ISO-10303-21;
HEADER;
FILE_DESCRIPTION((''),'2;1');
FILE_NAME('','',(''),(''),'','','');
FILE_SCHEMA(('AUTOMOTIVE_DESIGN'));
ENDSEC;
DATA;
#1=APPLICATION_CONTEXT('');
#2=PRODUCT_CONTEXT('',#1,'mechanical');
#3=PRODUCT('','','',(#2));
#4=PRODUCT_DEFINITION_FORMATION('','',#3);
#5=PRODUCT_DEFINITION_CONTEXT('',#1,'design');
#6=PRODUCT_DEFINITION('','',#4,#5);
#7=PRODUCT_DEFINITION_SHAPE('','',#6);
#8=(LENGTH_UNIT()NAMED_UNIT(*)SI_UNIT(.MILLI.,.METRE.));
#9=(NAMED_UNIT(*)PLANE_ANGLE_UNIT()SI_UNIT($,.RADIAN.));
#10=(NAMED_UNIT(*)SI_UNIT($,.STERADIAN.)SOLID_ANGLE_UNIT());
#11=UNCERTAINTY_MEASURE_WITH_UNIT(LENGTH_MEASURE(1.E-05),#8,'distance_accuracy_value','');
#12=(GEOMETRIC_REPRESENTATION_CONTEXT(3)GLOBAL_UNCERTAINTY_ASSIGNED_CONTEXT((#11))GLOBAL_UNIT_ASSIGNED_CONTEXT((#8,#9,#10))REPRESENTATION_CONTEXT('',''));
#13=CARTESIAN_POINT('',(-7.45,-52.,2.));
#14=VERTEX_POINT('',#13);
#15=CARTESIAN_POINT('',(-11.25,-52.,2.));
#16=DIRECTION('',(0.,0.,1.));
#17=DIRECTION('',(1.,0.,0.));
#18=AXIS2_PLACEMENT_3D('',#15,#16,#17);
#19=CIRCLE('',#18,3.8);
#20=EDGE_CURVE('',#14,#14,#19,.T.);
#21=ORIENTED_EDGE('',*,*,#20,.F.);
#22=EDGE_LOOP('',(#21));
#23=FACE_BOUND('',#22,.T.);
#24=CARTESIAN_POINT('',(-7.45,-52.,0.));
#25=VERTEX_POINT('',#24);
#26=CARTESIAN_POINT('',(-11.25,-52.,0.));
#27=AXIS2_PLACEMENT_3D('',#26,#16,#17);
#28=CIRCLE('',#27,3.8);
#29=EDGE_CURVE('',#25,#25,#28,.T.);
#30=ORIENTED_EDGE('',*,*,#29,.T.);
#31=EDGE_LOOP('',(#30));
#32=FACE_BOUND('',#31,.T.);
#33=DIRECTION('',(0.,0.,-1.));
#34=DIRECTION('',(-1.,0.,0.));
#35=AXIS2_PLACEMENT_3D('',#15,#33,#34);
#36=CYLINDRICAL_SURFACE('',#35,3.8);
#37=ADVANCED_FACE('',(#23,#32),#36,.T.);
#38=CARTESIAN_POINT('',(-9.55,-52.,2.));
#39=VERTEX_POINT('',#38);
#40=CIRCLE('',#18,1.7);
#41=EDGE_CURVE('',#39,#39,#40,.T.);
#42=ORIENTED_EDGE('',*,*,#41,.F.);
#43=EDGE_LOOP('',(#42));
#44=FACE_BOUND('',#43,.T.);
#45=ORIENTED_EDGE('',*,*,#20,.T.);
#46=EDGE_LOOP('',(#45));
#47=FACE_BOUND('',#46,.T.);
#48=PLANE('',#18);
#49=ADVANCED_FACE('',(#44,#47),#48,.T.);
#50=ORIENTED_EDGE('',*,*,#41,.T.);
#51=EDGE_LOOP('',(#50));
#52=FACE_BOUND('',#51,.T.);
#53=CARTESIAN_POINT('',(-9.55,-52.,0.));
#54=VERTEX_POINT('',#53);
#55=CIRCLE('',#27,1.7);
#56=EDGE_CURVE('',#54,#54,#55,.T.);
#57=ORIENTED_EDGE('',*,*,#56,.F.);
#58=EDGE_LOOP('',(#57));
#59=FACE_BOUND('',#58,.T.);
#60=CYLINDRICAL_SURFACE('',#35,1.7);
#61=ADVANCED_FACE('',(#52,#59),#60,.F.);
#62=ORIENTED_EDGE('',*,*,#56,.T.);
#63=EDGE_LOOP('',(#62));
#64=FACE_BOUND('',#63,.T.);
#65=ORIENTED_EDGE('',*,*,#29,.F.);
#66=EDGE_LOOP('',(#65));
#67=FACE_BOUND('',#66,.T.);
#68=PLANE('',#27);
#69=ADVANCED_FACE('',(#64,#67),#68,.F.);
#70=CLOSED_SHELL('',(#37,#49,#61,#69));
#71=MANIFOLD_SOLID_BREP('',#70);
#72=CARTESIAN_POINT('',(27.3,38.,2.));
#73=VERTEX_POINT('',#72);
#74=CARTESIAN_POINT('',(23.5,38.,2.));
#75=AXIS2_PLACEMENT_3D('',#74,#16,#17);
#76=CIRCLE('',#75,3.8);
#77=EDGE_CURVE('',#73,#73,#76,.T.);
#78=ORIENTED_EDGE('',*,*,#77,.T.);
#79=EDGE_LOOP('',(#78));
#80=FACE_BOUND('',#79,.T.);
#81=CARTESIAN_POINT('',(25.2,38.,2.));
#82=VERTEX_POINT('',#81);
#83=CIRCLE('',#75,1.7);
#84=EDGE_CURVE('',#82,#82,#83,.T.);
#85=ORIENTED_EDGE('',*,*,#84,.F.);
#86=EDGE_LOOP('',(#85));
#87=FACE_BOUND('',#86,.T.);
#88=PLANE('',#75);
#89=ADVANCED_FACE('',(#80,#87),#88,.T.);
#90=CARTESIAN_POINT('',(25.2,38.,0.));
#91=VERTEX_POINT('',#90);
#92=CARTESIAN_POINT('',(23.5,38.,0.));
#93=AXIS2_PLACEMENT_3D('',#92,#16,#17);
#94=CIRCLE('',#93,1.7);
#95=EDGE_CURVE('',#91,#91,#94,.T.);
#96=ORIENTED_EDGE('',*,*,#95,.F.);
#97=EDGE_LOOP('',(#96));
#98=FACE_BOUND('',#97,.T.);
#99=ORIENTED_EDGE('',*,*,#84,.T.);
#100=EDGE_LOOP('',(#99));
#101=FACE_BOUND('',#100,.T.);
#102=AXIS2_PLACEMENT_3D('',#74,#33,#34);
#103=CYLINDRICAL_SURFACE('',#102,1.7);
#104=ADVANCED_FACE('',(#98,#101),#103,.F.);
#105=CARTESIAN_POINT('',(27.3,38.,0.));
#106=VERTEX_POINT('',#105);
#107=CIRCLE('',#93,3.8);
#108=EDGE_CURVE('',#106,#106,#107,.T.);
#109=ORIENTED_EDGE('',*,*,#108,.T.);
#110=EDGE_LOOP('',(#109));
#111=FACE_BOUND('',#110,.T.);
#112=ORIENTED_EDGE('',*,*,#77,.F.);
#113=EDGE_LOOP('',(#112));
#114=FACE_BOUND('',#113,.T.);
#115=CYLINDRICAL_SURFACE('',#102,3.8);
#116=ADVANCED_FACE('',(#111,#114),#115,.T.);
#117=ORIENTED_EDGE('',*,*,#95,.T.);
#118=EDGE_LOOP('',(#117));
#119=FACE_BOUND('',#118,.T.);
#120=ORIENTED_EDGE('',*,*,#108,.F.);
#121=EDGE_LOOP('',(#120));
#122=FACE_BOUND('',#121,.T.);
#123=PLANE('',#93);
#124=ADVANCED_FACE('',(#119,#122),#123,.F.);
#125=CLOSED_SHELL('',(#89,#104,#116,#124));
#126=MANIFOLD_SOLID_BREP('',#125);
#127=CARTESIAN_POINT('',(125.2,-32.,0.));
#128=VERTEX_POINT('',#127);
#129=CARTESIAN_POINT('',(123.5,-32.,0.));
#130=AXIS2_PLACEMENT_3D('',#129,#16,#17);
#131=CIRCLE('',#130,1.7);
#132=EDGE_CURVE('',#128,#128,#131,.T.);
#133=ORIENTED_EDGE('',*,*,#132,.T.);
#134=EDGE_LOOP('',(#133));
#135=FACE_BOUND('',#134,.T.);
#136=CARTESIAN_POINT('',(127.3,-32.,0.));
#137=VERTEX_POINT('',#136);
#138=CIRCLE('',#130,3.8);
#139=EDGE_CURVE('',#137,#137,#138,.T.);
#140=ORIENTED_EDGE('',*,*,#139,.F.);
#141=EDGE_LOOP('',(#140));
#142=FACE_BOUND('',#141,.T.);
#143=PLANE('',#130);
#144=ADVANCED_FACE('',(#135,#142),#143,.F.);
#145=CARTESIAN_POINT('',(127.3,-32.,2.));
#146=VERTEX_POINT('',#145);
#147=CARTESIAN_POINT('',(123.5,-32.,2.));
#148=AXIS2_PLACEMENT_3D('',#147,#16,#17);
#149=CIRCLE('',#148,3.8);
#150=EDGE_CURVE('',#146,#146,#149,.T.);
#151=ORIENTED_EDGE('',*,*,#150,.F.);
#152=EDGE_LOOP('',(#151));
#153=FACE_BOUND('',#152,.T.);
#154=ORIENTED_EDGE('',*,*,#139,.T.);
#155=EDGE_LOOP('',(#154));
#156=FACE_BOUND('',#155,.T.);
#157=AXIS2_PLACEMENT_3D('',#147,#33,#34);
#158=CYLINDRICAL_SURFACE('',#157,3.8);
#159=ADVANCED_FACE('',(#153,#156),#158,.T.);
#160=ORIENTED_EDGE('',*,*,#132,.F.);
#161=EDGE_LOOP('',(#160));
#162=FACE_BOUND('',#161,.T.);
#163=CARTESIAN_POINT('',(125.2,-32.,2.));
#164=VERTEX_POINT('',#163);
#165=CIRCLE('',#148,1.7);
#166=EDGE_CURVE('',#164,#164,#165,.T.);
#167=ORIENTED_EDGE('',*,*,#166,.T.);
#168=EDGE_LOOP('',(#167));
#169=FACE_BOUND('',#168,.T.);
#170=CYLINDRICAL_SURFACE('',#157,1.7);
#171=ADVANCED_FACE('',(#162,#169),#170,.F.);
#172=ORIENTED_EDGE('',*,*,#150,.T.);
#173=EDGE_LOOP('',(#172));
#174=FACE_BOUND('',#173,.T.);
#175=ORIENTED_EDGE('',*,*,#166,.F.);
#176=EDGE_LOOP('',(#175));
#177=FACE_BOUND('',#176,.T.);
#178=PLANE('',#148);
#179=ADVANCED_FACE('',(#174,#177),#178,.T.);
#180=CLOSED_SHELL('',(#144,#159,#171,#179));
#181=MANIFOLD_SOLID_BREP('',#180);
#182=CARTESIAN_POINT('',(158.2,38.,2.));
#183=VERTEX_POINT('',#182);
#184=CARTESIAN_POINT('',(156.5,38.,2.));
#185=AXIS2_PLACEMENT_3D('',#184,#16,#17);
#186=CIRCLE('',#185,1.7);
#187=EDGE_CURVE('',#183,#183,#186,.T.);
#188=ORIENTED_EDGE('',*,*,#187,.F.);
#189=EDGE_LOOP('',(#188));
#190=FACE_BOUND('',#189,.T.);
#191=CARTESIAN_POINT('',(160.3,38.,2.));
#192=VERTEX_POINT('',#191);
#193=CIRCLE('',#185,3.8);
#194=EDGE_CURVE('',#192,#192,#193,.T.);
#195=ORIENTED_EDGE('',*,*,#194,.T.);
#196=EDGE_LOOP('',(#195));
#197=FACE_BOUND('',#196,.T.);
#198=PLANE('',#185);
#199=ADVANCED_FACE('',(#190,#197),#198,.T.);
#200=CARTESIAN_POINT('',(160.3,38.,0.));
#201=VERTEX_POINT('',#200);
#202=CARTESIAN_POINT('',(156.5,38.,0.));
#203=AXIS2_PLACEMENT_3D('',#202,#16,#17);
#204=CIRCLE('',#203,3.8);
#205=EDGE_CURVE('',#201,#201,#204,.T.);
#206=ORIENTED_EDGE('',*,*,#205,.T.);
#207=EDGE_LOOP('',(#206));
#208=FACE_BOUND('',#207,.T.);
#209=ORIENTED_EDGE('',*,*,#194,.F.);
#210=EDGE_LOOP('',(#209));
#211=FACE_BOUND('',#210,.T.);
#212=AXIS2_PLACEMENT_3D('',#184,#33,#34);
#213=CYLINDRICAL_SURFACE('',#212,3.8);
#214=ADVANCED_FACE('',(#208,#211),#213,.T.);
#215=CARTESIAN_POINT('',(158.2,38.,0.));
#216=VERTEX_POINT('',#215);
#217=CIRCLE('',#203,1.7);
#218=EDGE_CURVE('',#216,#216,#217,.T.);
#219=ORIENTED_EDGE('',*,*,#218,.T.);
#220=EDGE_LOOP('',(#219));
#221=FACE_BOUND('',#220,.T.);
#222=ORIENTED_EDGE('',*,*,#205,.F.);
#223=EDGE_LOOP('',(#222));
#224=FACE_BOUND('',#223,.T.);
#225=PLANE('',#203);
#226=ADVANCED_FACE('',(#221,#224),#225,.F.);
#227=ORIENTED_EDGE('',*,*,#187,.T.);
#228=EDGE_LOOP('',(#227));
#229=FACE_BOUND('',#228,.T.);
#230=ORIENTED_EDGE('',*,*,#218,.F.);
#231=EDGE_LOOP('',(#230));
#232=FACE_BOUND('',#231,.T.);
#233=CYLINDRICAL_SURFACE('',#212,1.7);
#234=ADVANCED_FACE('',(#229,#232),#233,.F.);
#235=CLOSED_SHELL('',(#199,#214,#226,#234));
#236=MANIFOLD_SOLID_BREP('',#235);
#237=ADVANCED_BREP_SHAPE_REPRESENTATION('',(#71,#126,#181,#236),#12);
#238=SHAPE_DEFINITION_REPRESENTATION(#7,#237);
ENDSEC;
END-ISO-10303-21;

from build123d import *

# Parameters (mm, degrees)
SKETCH1_R             = 3.8
SKETCH1_R_2           = 1.7
BOSS_EXTRUDE1_DEPTH   = 2
BOSS_EXTRUDE1_2_DEPTH = 2
BOSS_EXTRUDE1_3_DEPTH = 2
BOSS_EXTRUDE1_4_DEPTH = 2


with BuildPart() as part:
    # Sketch1 → Boss-Extrude1 (new body)
    with BuildSketch(Plane.XY):
        with Locations((23.5, 38)):
            Circle(SKETCH1_R)
        with Locations((23.5, 38)):
            Circle(SKETCH1_R_2, mode=Mode.SUBTRACT)
    extrude(amount=BOSS_EXTRUDE1_DEPTH)


with BuildPart() as body_2:
    # Sketch1 → Boss-Extrude1 2 (new body)
    with BuildSketch(Plane.XY):
        with Locations((156.5, 38)):
            Circle(SKETCH1_R)
        with Locations((156.5, 38)):
            Circle(SKETCH1_R_2, mode=Mode.SUBTRACT)
    extrude(amount=BOSS_EXTRUDE1_2_DEPTH)


with BuildPart() as body_3:
    # Sketch1 → Boss-Extrude1 3 (new body)
    with BuildSketch(Plane.XY):
        with Locations((123.5, -32)):
            Circle(SKETCH1_R)
        with Locations((123.5, -32)):
            Circle(SKETCH1_R_2, mode=Mode.SUBTRACT)
    extrude(amount=BOSS_EXTRUDE1_3_DEPTH)


with BuildPart() as body_4:
    # Sketch1 → Boss-Extrude1 4 (new body)
    with BuildSketch(Plane.XY):
        with Locations((-11.25, -52)):
            Circle(SKETCH1_R)
        with Locations((-11.25, -52)):
            Circle(SKETCH1_R_2, mode=Mode.SUBTRACT)
    extrude(amount=BOSS_EXTRUDE1_4_DEPTH)


solid = Compound([part.part, body_2.part, body_3.part, body_4.part])
